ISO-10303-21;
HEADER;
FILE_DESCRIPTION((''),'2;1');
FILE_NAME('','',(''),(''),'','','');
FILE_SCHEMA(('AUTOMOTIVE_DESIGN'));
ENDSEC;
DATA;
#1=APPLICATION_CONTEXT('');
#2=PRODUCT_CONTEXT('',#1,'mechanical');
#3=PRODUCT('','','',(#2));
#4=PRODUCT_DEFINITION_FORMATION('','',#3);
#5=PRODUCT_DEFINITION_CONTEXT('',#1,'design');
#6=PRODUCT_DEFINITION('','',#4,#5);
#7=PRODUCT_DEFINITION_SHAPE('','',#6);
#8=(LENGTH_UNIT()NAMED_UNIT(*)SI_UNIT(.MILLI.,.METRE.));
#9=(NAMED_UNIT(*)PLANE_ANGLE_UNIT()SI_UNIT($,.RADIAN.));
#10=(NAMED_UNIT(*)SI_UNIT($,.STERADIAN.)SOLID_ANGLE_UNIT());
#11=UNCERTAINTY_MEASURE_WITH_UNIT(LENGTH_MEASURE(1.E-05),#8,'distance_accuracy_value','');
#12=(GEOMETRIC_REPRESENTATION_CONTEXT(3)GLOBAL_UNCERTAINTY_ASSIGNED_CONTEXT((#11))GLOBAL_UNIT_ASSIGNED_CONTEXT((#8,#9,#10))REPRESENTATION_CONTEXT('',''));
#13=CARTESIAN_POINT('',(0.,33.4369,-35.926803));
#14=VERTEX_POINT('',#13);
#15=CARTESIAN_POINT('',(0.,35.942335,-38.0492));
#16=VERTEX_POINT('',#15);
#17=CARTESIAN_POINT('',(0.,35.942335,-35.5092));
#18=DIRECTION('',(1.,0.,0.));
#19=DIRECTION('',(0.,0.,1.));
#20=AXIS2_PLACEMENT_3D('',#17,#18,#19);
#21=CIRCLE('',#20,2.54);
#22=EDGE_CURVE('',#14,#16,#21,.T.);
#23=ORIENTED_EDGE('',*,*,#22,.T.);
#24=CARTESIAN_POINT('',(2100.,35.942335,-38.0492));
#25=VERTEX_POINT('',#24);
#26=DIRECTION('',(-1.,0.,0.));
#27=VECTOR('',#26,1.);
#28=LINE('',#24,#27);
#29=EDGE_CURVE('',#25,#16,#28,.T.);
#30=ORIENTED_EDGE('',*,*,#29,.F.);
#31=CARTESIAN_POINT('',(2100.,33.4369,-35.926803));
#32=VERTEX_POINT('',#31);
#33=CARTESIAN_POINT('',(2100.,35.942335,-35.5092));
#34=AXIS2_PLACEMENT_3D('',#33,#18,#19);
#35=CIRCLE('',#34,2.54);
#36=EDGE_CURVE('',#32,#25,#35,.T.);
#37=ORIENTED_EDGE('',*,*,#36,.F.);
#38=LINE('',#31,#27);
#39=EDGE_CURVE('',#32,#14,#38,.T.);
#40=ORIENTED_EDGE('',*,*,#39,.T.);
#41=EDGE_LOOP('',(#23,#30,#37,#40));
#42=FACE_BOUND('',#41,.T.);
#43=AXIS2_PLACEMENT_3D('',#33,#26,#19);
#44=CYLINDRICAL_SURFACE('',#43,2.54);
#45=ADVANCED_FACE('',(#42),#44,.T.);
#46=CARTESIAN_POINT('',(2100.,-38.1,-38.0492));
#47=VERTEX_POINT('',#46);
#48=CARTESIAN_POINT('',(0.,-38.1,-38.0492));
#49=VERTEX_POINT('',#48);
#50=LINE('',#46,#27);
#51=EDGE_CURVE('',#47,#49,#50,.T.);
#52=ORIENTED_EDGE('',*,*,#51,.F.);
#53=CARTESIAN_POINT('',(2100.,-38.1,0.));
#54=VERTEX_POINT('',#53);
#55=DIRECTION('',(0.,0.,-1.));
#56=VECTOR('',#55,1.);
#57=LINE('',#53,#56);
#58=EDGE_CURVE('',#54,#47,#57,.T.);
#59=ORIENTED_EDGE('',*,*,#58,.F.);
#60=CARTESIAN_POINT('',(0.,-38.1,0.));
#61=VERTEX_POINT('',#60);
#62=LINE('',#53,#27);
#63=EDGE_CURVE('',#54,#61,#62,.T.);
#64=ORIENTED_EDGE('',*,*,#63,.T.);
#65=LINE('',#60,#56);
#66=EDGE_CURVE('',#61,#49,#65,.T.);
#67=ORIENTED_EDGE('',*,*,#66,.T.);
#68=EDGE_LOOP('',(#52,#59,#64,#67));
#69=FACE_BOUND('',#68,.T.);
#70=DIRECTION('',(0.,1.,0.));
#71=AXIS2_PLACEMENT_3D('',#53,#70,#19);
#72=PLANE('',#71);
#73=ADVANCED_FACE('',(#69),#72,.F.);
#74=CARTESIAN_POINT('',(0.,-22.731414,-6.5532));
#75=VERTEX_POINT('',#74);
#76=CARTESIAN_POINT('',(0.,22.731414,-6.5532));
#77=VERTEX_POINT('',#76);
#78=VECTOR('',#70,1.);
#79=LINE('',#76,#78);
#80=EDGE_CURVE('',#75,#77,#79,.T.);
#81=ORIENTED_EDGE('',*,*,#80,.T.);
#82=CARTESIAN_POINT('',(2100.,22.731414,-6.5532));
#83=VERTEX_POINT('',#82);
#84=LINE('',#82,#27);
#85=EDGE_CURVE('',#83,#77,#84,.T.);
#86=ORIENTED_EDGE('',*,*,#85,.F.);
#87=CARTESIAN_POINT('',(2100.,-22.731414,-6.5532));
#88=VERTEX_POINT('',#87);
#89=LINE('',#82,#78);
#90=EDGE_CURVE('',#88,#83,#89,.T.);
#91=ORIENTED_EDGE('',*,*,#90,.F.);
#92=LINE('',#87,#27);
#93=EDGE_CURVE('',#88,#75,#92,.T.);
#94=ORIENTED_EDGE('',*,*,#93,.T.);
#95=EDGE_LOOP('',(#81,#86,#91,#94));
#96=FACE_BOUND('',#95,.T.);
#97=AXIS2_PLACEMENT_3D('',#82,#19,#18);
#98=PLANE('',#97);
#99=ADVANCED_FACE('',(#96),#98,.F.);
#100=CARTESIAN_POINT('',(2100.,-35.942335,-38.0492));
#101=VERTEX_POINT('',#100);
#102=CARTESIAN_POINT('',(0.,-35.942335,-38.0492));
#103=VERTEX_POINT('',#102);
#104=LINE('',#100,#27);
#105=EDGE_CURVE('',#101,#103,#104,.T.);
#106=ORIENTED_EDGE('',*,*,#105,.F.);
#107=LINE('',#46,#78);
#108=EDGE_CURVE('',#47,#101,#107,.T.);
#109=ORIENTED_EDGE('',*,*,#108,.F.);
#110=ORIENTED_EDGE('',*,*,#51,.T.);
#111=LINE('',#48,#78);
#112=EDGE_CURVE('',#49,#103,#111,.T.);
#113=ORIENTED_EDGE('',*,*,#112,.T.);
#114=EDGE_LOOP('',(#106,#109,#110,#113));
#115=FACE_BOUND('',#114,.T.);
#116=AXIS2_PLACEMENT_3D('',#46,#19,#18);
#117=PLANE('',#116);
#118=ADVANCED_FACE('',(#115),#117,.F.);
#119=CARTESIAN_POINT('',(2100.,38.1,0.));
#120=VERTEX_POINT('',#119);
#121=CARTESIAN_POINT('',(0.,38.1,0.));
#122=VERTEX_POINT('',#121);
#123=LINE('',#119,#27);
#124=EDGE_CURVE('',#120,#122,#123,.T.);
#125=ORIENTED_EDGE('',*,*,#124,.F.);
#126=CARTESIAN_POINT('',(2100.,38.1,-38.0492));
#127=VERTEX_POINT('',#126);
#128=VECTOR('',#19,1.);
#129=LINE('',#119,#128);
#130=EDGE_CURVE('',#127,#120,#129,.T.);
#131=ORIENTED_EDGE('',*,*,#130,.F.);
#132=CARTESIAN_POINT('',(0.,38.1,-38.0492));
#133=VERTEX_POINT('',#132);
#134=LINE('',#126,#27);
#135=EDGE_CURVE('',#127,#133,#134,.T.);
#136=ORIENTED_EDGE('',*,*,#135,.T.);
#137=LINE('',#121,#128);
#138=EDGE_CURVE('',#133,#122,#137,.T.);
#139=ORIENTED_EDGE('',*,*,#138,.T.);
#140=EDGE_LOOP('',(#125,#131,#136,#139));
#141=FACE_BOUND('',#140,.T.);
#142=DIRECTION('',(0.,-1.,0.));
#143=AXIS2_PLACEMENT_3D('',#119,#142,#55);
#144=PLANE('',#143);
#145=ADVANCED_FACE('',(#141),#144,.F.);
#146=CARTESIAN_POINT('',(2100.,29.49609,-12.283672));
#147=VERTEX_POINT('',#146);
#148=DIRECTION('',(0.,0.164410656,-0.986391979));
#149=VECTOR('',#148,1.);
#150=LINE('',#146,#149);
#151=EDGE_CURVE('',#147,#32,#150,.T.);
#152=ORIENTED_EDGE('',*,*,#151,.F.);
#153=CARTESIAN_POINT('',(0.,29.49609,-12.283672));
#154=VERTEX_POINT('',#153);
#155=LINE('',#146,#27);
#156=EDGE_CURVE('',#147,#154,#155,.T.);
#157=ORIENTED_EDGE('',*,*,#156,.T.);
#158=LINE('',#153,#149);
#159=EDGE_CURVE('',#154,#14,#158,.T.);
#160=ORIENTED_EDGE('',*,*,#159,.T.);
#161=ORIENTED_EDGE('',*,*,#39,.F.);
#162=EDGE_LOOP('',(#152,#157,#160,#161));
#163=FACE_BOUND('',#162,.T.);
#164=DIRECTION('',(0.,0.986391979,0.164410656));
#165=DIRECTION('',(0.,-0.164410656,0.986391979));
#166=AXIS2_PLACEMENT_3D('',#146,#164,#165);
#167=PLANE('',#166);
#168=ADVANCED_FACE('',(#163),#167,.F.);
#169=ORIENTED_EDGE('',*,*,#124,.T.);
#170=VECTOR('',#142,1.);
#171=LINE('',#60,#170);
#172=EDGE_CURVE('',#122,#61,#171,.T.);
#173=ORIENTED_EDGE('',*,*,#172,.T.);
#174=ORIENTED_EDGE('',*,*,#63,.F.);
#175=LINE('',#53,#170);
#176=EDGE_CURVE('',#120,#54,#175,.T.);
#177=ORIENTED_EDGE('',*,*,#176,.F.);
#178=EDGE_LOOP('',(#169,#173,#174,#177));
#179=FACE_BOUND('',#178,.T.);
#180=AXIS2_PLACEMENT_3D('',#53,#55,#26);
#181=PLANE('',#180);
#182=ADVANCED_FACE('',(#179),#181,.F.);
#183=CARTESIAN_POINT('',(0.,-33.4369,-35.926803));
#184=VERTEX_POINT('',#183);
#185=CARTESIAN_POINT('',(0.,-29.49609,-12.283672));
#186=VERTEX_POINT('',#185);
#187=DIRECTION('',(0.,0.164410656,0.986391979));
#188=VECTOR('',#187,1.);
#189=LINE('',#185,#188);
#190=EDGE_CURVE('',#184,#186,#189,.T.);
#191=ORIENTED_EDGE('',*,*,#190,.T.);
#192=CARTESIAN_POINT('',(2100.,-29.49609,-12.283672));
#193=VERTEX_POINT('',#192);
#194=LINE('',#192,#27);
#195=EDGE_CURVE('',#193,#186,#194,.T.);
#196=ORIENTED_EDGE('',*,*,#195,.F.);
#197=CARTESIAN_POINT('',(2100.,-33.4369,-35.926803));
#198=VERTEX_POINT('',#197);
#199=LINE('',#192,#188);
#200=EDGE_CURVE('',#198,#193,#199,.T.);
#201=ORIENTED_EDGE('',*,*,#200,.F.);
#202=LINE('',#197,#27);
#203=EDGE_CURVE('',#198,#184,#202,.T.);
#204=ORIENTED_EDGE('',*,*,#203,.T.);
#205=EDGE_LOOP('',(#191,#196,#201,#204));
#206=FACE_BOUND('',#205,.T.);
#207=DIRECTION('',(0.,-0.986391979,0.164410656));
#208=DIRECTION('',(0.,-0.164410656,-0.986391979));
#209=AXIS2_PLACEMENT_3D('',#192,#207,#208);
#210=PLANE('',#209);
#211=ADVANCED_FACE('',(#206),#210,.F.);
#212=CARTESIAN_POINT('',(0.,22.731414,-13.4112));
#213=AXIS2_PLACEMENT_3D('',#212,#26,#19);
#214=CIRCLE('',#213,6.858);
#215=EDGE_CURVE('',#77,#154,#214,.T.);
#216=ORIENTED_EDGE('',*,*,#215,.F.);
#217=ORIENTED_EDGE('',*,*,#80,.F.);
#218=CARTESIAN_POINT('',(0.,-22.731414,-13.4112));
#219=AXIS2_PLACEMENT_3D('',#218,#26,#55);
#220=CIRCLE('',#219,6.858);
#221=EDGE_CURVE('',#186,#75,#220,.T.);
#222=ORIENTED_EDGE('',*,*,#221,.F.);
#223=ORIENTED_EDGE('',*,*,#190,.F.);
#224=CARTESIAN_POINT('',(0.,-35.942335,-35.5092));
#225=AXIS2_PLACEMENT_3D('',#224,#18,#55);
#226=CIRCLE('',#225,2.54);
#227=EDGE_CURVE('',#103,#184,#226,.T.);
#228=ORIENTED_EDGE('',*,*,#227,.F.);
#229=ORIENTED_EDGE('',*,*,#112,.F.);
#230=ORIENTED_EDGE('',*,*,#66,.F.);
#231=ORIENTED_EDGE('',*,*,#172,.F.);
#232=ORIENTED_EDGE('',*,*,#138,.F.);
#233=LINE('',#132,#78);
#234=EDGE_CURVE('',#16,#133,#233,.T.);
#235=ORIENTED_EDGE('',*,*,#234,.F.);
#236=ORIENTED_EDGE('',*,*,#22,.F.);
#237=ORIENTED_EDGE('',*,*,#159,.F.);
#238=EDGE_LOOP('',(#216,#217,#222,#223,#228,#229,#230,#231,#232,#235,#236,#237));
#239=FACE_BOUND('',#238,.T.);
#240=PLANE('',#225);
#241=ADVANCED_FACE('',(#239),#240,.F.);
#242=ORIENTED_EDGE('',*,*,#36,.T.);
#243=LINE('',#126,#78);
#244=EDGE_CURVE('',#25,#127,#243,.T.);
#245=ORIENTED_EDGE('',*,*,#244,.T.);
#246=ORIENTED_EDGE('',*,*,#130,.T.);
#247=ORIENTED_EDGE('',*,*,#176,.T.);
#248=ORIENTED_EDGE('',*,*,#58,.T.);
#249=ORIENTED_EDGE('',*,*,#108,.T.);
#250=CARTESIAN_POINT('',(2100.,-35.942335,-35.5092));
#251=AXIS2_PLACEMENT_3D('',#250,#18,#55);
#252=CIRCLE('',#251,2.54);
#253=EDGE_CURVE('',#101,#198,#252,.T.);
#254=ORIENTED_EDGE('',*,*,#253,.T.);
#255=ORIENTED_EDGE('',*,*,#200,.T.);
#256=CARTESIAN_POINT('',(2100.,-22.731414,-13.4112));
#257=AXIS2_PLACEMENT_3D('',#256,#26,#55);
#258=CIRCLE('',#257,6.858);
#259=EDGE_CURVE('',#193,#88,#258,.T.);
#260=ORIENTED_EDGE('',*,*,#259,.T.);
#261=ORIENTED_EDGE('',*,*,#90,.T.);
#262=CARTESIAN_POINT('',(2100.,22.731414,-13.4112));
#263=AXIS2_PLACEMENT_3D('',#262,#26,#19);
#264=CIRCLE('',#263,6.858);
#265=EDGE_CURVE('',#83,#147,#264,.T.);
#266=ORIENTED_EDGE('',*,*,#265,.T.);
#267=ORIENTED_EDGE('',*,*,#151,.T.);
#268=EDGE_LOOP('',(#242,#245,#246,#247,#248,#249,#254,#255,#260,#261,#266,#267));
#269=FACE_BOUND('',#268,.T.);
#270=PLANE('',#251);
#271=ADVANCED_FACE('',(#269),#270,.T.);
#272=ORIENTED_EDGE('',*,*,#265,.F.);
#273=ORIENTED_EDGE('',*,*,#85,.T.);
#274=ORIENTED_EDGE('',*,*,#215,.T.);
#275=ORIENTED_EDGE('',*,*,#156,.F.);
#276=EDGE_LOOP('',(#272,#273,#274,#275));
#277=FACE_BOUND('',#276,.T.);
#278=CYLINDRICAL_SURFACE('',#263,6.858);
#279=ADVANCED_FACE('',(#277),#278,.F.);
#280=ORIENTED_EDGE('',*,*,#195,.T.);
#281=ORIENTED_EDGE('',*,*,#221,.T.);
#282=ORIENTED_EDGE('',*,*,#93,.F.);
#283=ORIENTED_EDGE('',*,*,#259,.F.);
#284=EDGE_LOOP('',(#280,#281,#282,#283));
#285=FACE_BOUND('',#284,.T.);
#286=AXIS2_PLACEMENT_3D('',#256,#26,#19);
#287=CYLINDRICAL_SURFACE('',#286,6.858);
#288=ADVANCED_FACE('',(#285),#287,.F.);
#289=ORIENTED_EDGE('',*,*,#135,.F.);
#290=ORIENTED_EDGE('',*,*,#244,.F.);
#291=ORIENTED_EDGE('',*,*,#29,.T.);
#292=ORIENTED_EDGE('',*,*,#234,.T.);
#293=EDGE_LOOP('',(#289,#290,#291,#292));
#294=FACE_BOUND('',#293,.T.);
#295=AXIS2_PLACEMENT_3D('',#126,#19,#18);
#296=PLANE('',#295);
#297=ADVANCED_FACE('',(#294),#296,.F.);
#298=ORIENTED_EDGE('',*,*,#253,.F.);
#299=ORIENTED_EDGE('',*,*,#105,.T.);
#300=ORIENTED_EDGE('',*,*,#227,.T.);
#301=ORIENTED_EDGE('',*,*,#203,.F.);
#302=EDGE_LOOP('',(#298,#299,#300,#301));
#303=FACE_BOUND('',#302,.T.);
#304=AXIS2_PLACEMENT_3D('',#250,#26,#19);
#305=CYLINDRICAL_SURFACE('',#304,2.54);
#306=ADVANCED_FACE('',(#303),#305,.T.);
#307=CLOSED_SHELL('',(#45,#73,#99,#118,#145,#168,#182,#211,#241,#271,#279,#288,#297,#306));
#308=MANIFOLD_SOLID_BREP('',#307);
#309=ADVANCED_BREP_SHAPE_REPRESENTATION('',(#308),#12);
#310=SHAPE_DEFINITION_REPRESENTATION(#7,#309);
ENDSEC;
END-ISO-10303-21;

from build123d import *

# Parameters (mm, degrees)
CANAL_C_3_X_5_1_DEPTH = 2100


with BuildPart() as part:
    # Sketch12 → Canal c 3 X 5(1) (new body)
    with BuildSketch(Plane(origin=(0, 0, 0), x_dir=(0, 0, -1), z_dir=(1, 0, 0))):
        with BuildLine():
            Line((0, -38.1), (0, 38.1))
            Line((0, 38.1), (38.0492, 38.1))
            Line((38.0492, 38.1), (38.0492, 35.942335136))
            ThreePointArc((38.0492, 35.942335136), (37.447280466, 34.300554363), (35.926803066, 33.436899509))
            Line((35.926803066, 33.436899509), (12.283671721, 29.496090157))
            ThreePointArc((12.283671721, 29.496090157), (8.178382741, 27.164222052), (6.5532, 22.731413966))
            Line((6.5532, 22.731413966), (6.5532, -22.731413966))
            ThreePointArc((6.5532, -22.731413966), (8.178382741, -27.164222052), (12.283671721, -29.496090157))
            Line((12.283671721, -29.496090157), (35.926803066, -33.436899509))
            ThreePointArc((35.926803066, -33.436899509), (37.447280466, -34.300554363), (38.0492, -35.942335136))
            Line((38.0492, -35.942335136), (38.0492, -38.1))
            Line((38.0492, -38.1), (0, -38.1))
        make_face()
    extrude(amount=CANAL_C_3_X_5_1_DEPTH)


solid = part.part
